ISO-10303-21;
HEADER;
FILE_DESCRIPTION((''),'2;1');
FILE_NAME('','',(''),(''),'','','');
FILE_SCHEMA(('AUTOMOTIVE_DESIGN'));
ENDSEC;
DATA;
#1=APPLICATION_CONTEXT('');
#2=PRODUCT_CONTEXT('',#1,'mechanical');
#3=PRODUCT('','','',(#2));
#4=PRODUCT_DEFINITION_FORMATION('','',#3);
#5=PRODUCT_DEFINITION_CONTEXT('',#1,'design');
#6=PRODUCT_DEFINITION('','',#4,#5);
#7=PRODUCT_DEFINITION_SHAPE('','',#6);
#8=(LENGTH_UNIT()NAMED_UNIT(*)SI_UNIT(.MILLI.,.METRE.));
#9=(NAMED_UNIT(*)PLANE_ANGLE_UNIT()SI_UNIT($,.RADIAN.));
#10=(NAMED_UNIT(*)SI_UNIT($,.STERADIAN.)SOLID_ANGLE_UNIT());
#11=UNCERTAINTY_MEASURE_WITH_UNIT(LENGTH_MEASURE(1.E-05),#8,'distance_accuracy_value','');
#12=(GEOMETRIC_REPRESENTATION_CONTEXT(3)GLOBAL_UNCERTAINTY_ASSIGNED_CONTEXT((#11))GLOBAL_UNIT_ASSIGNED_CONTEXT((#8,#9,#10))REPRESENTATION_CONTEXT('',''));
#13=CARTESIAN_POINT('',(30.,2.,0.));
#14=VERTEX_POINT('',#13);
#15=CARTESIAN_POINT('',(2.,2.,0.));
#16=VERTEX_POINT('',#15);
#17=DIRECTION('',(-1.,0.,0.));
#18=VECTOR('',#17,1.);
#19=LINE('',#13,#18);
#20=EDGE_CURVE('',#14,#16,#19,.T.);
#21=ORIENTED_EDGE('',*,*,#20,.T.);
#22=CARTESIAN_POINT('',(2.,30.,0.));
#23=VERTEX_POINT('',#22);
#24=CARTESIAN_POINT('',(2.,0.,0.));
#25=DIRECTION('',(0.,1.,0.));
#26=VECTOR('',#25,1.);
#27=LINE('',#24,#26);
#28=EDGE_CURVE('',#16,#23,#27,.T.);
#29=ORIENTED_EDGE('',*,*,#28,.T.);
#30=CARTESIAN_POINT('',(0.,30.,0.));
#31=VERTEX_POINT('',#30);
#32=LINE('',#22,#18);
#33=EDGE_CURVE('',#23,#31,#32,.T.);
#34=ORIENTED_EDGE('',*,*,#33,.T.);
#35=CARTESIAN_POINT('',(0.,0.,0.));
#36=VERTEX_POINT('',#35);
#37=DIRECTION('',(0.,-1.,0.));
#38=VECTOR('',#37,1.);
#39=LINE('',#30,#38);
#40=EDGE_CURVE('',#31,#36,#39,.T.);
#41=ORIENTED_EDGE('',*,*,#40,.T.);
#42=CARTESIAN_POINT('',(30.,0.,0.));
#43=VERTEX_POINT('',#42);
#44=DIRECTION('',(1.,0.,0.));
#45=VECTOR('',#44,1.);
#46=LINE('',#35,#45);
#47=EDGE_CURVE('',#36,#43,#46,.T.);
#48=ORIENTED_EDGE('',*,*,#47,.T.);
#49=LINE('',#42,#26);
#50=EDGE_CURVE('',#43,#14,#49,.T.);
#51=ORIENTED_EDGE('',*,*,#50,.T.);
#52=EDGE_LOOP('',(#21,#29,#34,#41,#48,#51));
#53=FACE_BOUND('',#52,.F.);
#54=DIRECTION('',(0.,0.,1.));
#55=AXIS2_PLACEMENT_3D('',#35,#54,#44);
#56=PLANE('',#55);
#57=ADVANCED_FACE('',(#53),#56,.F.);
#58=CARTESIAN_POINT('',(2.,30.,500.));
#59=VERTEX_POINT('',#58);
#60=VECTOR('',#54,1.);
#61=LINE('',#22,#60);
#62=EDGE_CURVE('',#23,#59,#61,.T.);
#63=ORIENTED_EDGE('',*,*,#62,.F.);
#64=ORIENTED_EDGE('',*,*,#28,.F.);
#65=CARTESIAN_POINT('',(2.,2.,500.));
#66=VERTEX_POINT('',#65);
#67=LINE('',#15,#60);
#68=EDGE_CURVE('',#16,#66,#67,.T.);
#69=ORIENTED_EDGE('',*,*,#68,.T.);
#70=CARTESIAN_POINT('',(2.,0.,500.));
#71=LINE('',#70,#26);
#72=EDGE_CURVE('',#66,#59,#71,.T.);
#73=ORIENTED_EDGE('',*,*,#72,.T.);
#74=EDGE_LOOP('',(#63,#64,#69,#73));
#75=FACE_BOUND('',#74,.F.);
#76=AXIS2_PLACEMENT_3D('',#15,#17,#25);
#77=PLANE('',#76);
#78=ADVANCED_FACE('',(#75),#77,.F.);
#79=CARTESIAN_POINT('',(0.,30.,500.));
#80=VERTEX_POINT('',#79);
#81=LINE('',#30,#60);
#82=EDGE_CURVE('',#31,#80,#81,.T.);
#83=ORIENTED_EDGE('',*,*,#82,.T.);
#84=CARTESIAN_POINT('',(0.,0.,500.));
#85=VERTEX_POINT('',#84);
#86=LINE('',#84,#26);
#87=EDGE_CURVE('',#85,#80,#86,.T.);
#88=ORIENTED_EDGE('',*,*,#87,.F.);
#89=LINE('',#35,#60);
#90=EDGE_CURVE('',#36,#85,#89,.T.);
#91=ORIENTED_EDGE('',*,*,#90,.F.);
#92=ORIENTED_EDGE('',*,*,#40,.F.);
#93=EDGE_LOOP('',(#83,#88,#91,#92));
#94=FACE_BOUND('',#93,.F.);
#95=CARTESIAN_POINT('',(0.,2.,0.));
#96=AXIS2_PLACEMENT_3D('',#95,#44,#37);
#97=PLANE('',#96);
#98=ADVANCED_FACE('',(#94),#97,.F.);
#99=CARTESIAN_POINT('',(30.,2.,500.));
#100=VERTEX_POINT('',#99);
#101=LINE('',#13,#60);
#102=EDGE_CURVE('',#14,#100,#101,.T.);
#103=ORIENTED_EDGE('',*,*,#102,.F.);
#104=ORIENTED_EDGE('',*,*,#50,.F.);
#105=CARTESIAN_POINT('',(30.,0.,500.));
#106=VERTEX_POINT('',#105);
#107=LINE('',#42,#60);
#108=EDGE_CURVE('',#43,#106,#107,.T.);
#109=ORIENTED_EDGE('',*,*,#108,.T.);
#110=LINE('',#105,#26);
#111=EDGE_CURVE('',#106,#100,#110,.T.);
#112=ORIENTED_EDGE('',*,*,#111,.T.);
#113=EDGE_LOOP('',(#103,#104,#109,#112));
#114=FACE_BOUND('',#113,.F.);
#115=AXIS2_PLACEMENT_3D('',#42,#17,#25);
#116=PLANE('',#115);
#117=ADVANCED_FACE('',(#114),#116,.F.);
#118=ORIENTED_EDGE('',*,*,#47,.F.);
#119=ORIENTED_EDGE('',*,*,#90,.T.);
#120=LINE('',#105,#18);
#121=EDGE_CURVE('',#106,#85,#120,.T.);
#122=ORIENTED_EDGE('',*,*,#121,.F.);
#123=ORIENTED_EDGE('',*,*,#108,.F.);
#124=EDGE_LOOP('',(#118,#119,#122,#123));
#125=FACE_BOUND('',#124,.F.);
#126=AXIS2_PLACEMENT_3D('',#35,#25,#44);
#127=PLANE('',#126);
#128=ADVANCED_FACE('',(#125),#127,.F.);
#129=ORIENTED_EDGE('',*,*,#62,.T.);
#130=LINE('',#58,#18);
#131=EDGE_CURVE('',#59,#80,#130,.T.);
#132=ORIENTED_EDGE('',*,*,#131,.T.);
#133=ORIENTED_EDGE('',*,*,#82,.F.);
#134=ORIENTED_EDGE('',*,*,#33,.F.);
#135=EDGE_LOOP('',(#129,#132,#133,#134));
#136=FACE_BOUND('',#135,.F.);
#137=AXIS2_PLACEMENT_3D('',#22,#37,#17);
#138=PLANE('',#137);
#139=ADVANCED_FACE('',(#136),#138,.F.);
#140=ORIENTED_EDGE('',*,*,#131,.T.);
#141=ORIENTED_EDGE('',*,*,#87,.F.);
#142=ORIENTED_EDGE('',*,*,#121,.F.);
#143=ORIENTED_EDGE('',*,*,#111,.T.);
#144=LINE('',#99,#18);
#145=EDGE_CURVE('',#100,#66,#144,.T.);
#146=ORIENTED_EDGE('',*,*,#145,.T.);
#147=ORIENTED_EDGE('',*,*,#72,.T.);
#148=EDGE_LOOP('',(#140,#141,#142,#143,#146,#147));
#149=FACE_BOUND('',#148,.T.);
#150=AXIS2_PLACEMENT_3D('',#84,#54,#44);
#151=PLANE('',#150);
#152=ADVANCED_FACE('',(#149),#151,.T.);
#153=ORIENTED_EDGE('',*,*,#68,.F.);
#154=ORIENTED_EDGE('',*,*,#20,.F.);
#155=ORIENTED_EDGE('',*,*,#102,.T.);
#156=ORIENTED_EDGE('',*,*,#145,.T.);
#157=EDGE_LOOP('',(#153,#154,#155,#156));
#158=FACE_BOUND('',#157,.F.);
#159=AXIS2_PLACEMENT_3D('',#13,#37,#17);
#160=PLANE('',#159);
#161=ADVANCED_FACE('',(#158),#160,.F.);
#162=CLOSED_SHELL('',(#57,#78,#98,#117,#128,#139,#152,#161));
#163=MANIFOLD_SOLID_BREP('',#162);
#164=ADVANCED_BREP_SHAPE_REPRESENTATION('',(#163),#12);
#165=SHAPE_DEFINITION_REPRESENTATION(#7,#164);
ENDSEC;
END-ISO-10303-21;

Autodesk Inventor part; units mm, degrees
ref_plane "YZ Plane" through (0, 0, 0) normal (1, 0, 0) x (0, 1, 0)
ref_plane "XZ Plane" through (0, 0, 0) normal (0, 1, 0) x (-1, 0, 0)
ref_plane "XY Plane" through (0, 0, 0) normal (0, 0, 1) x (1, 0, 0)
sketch "Sketch1" plane through (0, 0, 0) normal (0, 0, 1) x (1, 0, 0)
  line L0 (0, 0) -> (30, 0)
  line L1 (30, 0) -> (30, 2)
  line L2 (30, 2) -> (0, 2)
  line L3 (0, 2) -> (0, 0)
  line L4 (0, 0) -> (2, 0)
  line L5 (2, 0) -> (2, 30)
  line L6 (2, 30) -> (0, 30)
  line L7 (0, 30) -> (0, 0)
  dimension "d0" = 30
  dimension "d1" = 2
  dimension "d2" = 2
  dimension "d3" = 30
extrude "Extrusion1" add sketch "Sketch1" along normal blind 500
properties part number "Katownik_stalowy"
